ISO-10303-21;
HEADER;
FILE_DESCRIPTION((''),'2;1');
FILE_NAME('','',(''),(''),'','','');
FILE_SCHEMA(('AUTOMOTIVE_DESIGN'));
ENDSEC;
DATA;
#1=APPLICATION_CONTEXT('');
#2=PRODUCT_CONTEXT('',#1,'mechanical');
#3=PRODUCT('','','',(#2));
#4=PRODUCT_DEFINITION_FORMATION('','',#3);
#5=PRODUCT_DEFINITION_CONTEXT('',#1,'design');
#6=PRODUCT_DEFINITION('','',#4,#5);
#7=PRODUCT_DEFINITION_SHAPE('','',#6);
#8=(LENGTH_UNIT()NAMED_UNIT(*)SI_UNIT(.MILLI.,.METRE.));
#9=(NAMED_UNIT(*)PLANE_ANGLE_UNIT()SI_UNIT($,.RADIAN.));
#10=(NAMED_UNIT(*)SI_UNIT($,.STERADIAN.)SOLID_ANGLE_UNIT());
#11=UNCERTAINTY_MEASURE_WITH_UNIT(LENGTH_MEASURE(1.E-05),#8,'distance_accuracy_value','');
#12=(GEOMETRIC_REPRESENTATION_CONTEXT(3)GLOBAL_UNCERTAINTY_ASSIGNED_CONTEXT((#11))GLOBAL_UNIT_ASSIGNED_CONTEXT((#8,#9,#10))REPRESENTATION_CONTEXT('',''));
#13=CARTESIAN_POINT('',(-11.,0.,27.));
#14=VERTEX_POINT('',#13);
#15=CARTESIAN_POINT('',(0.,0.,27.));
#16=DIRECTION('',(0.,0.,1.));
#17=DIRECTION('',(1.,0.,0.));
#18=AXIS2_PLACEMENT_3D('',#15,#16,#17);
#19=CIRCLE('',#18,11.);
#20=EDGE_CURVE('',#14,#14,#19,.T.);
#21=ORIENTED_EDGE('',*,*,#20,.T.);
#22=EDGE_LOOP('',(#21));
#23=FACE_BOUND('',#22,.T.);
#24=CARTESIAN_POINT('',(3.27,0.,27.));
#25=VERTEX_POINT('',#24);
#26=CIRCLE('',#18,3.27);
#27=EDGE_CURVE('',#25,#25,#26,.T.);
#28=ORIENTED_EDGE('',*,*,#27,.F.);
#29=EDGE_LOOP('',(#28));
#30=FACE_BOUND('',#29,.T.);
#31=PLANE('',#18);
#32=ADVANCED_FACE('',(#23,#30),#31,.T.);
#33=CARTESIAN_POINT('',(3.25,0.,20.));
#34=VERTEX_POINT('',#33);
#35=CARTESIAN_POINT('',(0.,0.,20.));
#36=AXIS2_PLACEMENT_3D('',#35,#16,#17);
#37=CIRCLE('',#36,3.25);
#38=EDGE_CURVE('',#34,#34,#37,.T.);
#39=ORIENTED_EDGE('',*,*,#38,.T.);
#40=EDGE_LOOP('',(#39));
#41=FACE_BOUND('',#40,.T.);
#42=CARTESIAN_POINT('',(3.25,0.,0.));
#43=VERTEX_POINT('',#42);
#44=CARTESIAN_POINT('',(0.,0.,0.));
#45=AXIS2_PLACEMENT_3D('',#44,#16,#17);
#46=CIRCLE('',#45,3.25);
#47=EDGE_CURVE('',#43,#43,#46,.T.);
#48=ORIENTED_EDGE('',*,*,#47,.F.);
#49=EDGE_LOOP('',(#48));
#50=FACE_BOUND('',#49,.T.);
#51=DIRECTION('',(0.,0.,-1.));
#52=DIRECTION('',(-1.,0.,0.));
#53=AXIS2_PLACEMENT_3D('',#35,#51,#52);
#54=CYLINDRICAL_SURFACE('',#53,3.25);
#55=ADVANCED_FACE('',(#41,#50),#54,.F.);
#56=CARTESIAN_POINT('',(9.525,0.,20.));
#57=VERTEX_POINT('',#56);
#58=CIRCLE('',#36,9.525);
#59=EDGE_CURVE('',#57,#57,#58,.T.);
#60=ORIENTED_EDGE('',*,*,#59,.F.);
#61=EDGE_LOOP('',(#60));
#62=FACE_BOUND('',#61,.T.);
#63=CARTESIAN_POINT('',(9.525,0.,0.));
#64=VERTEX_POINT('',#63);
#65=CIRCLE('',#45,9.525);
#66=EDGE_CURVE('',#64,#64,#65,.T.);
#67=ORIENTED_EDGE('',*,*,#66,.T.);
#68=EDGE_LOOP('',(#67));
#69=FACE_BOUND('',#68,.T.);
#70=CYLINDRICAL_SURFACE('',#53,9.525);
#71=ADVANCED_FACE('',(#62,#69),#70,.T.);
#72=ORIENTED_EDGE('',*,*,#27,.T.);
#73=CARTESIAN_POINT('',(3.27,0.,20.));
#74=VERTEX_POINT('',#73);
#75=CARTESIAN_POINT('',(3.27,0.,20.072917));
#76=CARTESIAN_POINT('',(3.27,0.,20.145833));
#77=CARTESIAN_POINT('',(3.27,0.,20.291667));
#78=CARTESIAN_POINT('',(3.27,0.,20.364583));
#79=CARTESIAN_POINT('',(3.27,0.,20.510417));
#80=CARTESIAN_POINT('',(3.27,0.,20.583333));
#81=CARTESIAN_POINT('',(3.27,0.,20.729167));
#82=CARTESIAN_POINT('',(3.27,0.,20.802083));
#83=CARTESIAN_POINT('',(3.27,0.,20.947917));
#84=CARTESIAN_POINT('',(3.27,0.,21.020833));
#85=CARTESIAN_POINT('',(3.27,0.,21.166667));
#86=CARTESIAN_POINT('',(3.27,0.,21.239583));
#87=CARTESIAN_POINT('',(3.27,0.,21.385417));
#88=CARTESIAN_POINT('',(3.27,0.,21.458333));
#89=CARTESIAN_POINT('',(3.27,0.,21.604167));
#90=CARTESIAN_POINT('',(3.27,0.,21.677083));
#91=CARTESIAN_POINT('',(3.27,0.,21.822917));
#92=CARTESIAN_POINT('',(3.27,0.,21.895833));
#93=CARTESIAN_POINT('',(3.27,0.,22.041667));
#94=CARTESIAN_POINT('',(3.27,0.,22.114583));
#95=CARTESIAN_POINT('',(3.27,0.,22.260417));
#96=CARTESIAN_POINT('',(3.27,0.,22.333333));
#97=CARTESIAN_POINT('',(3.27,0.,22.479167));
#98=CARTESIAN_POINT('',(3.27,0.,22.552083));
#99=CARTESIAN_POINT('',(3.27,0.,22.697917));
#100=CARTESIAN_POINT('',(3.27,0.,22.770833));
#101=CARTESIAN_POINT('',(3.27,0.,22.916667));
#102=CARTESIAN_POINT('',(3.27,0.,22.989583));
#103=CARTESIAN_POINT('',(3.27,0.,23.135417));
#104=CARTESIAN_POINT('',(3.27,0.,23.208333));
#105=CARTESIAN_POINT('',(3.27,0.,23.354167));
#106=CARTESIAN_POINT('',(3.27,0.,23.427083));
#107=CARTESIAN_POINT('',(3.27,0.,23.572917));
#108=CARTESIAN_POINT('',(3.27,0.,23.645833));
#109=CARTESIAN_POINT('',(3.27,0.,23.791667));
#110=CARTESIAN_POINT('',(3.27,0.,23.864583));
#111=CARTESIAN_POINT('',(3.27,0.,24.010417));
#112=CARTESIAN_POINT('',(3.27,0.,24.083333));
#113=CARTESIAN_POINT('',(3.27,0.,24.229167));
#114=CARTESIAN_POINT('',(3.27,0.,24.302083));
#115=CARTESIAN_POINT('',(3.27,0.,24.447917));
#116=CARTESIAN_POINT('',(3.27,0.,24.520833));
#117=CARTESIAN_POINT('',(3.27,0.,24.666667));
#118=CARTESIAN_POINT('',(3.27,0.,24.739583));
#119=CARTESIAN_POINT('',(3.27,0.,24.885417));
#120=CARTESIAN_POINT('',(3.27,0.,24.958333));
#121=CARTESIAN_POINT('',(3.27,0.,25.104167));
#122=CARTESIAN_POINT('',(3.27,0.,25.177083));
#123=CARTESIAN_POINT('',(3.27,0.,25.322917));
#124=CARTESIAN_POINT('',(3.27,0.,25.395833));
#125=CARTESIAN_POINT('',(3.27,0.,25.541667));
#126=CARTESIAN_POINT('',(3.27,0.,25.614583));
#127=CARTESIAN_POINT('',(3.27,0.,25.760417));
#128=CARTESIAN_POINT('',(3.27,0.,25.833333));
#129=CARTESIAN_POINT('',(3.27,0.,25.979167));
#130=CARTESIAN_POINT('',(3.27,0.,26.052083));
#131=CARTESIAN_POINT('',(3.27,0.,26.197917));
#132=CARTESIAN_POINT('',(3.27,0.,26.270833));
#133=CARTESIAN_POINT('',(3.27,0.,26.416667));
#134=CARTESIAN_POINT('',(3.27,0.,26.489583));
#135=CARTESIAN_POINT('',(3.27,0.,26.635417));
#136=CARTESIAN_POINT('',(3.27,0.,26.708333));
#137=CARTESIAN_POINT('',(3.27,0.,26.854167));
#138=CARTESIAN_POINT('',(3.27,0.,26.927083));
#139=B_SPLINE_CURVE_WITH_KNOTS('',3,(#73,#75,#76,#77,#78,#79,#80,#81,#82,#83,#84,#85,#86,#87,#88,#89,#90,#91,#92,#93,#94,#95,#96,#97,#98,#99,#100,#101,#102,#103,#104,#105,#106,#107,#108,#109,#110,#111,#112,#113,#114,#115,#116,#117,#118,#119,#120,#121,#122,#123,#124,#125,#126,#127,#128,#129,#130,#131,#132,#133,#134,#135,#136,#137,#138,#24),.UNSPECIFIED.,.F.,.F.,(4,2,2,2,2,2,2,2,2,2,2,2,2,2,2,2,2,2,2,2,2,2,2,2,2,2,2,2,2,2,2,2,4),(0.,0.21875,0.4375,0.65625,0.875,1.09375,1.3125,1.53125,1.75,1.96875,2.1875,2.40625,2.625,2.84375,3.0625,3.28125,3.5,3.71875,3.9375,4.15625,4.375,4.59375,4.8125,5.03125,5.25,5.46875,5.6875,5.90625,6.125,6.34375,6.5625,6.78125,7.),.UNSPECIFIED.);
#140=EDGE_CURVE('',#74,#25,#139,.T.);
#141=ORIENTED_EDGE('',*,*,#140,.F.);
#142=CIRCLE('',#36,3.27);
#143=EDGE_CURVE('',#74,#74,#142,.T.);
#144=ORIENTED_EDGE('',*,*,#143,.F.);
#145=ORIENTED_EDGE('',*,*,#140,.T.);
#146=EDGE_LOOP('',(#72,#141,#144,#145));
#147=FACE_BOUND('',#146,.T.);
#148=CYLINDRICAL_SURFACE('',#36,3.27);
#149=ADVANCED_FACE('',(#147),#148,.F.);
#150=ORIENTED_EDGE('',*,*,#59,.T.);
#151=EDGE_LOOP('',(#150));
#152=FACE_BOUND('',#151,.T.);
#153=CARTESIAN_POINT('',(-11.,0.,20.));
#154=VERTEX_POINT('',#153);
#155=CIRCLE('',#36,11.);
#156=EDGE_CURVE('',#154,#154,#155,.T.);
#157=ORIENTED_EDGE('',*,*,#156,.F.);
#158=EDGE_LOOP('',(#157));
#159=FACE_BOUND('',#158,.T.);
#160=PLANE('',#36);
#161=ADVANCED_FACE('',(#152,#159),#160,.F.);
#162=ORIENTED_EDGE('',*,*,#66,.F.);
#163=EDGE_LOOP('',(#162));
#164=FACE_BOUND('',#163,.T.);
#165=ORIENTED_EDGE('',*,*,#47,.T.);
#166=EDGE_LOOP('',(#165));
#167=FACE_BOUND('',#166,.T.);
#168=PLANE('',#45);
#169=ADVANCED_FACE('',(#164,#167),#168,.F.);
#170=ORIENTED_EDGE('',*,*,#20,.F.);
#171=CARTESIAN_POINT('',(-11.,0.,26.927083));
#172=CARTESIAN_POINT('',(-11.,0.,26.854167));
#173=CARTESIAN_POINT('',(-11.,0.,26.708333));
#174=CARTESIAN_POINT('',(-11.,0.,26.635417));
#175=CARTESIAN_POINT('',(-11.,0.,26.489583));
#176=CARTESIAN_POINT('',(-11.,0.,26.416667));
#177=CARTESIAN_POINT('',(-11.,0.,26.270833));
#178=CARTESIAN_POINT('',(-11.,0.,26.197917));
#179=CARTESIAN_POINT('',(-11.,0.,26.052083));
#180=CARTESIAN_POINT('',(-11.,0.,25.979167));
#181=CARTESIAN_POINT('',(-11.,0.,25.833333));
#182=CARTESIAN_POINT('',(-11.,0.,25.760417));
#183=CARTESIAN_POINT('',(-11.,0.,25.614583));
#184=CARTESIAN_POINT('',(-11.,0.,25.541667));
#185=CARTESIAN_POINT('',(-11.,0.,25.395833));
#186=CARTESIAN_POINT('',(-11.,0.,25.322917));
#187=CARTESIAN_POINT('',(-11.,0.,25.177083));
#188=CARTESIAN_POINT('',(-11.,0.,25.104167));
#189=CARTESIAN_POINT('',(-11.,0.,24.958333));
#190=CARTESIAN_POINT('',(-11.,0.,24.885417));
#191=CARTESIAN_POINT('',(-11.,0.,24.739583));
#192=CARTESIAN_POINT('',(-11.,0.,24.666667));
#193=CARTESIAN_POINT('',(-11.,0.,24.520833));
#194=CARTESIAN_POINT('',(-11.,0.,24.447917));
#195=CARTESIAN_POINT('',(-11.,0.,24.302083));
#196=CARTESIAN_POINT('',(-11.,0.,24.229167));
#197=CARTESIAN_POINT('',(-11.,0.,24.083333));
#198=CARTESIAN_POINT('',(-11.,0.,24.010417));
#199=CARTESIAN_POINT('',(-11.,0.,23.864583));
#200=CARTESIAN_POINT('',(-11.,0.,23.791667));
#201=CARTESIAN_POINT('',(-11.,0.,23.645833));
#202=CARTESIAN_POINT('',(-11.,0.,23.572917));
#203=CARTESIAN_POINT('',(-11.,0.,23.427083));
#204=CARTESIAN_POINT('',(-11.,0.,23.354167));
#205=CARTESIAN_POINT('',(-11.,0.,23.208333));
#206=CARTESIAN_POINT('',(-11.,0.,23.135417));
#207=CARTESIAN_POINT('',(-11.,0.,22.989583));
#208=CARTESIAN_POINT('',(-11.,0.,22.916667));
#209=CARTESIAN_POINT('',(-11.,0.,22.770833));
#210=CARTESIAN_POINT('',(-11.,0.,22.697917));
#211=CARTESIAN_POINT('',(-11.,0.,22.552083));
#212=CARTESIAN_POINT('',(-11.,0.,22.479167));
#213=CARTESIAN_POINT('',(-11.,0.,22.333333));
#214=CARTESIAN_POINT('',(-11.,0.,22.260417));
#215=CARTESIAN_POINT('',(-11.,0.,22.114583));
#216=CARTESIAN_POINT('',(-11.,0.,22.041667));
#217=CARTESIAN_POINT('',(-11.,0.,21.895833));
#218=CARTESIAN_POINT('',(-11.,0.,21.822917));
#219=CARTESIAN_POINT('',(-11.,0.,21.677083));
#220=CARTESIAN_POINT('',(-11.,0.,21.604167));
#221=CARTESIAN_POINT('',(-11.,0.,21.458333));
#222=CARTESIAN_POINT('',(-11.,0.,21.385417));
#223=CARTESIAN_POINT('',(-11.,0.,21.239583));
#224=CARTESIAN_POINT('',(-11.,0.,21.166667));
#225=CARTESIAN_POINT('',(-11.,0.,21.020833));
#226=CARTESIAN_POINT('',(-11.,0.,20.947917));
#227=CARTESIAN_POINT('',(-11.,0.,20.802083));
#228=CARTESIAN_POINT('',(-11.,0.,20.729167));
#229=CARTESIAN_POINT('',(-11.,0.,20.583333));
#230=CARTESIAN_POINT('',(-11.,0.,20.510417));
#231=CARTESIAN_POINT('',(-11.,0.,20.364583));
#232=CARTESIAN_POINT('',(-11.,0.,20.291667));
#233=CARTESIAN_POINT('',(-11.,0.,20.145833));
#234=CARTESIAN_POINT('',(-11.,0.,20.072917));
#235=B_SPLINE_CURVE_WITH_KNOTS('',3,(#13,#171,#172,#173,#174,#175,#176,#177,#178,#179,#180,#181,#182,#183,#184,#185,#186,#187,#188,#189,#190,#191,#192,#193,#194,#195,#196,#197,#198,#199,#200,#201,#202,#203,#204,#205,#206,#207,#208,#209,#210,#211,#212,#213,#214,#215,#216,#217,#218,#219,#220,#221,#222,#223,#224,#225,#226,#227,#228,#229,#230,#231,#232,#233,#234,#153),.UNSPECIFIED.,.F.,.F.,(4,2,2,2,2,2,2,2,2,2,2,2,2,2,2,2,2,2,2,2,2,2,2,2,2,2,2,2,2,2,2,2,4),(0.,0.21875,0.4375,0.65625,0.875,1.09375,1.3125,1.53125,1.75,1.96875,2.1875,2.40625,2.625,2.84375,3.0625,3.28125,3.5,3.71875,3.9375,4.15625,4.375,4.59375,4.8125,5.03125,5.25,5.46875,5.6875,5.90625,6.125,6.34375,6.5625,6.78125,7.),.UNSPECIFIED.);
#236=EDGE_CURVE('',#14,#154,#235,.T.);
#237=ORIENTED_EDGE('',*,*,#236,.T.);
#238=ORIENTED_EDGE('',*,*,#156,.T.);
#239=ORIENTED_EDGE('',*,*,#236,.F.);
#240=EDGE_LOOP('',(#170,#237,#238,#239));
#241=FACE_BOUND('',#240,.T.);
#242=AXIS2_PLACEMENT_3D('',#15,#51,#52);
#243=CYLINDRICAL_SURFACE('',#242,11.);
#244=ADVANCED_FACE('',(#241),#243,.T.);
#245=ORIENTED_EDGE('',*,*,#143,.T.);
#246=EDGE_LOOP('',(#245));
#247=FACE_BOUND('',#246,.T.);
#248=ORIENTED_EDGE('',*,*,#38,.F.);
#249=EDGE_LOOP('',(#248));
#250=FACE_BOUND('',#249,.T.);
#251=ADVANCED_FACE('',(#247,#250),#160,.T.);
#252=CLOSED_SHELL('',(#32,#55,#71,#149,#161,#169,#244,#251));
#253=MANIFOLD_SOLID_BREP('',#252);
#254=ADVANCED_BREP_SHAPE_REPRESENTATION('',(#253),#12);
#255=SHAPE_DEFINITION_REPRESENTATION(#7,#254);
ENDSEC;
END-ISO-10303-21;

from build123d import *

# Parameters (mm, degrees)
SKETCH1_R           = 9.525
SKETCH1_R_2         = 3.25
BOSS_EXTRUDE1_DEPTH = 20
SKETCH2_R           = 11
BOSS_EXTRUDE2_DEPTH = 7
SKETCH3_R           = 3.27
CUT_EXTRUDE1_DEPTH  = 7


with BuildPart() as part:
    # Sketch1 → Boss-Extrude1 (new body)
    with BuildSketch(Plane.XY):
        Circle(SKETCH1_R)
        Circle(SKETCH1_R_2, mode=Mode.SUBTRACT)
    extrude(amount=BOSS_EXTRUDE1_DEPTH)

    # Sketch2 → Boss-Extrude2 (add)
    with BuildSketch(Plane.XY.offset(20)):
        with Locations(Location((0, 0, 0), (0, 0, 180))):
            Circle(SKETCH2_R)
    extrude(amount=BOSS_EXTRUDE2_DEPTH)

    # Sketch3 → Cut-Extrude1 (cut)
    with BuildSketch(Plane.XY.offset(27)):
        Circle(SKETCH3_R)
    extrude(amount=-CUT_EXTRUDE1_DEPTH, mode=Mode.SUBTRACT)


solid = part.part
